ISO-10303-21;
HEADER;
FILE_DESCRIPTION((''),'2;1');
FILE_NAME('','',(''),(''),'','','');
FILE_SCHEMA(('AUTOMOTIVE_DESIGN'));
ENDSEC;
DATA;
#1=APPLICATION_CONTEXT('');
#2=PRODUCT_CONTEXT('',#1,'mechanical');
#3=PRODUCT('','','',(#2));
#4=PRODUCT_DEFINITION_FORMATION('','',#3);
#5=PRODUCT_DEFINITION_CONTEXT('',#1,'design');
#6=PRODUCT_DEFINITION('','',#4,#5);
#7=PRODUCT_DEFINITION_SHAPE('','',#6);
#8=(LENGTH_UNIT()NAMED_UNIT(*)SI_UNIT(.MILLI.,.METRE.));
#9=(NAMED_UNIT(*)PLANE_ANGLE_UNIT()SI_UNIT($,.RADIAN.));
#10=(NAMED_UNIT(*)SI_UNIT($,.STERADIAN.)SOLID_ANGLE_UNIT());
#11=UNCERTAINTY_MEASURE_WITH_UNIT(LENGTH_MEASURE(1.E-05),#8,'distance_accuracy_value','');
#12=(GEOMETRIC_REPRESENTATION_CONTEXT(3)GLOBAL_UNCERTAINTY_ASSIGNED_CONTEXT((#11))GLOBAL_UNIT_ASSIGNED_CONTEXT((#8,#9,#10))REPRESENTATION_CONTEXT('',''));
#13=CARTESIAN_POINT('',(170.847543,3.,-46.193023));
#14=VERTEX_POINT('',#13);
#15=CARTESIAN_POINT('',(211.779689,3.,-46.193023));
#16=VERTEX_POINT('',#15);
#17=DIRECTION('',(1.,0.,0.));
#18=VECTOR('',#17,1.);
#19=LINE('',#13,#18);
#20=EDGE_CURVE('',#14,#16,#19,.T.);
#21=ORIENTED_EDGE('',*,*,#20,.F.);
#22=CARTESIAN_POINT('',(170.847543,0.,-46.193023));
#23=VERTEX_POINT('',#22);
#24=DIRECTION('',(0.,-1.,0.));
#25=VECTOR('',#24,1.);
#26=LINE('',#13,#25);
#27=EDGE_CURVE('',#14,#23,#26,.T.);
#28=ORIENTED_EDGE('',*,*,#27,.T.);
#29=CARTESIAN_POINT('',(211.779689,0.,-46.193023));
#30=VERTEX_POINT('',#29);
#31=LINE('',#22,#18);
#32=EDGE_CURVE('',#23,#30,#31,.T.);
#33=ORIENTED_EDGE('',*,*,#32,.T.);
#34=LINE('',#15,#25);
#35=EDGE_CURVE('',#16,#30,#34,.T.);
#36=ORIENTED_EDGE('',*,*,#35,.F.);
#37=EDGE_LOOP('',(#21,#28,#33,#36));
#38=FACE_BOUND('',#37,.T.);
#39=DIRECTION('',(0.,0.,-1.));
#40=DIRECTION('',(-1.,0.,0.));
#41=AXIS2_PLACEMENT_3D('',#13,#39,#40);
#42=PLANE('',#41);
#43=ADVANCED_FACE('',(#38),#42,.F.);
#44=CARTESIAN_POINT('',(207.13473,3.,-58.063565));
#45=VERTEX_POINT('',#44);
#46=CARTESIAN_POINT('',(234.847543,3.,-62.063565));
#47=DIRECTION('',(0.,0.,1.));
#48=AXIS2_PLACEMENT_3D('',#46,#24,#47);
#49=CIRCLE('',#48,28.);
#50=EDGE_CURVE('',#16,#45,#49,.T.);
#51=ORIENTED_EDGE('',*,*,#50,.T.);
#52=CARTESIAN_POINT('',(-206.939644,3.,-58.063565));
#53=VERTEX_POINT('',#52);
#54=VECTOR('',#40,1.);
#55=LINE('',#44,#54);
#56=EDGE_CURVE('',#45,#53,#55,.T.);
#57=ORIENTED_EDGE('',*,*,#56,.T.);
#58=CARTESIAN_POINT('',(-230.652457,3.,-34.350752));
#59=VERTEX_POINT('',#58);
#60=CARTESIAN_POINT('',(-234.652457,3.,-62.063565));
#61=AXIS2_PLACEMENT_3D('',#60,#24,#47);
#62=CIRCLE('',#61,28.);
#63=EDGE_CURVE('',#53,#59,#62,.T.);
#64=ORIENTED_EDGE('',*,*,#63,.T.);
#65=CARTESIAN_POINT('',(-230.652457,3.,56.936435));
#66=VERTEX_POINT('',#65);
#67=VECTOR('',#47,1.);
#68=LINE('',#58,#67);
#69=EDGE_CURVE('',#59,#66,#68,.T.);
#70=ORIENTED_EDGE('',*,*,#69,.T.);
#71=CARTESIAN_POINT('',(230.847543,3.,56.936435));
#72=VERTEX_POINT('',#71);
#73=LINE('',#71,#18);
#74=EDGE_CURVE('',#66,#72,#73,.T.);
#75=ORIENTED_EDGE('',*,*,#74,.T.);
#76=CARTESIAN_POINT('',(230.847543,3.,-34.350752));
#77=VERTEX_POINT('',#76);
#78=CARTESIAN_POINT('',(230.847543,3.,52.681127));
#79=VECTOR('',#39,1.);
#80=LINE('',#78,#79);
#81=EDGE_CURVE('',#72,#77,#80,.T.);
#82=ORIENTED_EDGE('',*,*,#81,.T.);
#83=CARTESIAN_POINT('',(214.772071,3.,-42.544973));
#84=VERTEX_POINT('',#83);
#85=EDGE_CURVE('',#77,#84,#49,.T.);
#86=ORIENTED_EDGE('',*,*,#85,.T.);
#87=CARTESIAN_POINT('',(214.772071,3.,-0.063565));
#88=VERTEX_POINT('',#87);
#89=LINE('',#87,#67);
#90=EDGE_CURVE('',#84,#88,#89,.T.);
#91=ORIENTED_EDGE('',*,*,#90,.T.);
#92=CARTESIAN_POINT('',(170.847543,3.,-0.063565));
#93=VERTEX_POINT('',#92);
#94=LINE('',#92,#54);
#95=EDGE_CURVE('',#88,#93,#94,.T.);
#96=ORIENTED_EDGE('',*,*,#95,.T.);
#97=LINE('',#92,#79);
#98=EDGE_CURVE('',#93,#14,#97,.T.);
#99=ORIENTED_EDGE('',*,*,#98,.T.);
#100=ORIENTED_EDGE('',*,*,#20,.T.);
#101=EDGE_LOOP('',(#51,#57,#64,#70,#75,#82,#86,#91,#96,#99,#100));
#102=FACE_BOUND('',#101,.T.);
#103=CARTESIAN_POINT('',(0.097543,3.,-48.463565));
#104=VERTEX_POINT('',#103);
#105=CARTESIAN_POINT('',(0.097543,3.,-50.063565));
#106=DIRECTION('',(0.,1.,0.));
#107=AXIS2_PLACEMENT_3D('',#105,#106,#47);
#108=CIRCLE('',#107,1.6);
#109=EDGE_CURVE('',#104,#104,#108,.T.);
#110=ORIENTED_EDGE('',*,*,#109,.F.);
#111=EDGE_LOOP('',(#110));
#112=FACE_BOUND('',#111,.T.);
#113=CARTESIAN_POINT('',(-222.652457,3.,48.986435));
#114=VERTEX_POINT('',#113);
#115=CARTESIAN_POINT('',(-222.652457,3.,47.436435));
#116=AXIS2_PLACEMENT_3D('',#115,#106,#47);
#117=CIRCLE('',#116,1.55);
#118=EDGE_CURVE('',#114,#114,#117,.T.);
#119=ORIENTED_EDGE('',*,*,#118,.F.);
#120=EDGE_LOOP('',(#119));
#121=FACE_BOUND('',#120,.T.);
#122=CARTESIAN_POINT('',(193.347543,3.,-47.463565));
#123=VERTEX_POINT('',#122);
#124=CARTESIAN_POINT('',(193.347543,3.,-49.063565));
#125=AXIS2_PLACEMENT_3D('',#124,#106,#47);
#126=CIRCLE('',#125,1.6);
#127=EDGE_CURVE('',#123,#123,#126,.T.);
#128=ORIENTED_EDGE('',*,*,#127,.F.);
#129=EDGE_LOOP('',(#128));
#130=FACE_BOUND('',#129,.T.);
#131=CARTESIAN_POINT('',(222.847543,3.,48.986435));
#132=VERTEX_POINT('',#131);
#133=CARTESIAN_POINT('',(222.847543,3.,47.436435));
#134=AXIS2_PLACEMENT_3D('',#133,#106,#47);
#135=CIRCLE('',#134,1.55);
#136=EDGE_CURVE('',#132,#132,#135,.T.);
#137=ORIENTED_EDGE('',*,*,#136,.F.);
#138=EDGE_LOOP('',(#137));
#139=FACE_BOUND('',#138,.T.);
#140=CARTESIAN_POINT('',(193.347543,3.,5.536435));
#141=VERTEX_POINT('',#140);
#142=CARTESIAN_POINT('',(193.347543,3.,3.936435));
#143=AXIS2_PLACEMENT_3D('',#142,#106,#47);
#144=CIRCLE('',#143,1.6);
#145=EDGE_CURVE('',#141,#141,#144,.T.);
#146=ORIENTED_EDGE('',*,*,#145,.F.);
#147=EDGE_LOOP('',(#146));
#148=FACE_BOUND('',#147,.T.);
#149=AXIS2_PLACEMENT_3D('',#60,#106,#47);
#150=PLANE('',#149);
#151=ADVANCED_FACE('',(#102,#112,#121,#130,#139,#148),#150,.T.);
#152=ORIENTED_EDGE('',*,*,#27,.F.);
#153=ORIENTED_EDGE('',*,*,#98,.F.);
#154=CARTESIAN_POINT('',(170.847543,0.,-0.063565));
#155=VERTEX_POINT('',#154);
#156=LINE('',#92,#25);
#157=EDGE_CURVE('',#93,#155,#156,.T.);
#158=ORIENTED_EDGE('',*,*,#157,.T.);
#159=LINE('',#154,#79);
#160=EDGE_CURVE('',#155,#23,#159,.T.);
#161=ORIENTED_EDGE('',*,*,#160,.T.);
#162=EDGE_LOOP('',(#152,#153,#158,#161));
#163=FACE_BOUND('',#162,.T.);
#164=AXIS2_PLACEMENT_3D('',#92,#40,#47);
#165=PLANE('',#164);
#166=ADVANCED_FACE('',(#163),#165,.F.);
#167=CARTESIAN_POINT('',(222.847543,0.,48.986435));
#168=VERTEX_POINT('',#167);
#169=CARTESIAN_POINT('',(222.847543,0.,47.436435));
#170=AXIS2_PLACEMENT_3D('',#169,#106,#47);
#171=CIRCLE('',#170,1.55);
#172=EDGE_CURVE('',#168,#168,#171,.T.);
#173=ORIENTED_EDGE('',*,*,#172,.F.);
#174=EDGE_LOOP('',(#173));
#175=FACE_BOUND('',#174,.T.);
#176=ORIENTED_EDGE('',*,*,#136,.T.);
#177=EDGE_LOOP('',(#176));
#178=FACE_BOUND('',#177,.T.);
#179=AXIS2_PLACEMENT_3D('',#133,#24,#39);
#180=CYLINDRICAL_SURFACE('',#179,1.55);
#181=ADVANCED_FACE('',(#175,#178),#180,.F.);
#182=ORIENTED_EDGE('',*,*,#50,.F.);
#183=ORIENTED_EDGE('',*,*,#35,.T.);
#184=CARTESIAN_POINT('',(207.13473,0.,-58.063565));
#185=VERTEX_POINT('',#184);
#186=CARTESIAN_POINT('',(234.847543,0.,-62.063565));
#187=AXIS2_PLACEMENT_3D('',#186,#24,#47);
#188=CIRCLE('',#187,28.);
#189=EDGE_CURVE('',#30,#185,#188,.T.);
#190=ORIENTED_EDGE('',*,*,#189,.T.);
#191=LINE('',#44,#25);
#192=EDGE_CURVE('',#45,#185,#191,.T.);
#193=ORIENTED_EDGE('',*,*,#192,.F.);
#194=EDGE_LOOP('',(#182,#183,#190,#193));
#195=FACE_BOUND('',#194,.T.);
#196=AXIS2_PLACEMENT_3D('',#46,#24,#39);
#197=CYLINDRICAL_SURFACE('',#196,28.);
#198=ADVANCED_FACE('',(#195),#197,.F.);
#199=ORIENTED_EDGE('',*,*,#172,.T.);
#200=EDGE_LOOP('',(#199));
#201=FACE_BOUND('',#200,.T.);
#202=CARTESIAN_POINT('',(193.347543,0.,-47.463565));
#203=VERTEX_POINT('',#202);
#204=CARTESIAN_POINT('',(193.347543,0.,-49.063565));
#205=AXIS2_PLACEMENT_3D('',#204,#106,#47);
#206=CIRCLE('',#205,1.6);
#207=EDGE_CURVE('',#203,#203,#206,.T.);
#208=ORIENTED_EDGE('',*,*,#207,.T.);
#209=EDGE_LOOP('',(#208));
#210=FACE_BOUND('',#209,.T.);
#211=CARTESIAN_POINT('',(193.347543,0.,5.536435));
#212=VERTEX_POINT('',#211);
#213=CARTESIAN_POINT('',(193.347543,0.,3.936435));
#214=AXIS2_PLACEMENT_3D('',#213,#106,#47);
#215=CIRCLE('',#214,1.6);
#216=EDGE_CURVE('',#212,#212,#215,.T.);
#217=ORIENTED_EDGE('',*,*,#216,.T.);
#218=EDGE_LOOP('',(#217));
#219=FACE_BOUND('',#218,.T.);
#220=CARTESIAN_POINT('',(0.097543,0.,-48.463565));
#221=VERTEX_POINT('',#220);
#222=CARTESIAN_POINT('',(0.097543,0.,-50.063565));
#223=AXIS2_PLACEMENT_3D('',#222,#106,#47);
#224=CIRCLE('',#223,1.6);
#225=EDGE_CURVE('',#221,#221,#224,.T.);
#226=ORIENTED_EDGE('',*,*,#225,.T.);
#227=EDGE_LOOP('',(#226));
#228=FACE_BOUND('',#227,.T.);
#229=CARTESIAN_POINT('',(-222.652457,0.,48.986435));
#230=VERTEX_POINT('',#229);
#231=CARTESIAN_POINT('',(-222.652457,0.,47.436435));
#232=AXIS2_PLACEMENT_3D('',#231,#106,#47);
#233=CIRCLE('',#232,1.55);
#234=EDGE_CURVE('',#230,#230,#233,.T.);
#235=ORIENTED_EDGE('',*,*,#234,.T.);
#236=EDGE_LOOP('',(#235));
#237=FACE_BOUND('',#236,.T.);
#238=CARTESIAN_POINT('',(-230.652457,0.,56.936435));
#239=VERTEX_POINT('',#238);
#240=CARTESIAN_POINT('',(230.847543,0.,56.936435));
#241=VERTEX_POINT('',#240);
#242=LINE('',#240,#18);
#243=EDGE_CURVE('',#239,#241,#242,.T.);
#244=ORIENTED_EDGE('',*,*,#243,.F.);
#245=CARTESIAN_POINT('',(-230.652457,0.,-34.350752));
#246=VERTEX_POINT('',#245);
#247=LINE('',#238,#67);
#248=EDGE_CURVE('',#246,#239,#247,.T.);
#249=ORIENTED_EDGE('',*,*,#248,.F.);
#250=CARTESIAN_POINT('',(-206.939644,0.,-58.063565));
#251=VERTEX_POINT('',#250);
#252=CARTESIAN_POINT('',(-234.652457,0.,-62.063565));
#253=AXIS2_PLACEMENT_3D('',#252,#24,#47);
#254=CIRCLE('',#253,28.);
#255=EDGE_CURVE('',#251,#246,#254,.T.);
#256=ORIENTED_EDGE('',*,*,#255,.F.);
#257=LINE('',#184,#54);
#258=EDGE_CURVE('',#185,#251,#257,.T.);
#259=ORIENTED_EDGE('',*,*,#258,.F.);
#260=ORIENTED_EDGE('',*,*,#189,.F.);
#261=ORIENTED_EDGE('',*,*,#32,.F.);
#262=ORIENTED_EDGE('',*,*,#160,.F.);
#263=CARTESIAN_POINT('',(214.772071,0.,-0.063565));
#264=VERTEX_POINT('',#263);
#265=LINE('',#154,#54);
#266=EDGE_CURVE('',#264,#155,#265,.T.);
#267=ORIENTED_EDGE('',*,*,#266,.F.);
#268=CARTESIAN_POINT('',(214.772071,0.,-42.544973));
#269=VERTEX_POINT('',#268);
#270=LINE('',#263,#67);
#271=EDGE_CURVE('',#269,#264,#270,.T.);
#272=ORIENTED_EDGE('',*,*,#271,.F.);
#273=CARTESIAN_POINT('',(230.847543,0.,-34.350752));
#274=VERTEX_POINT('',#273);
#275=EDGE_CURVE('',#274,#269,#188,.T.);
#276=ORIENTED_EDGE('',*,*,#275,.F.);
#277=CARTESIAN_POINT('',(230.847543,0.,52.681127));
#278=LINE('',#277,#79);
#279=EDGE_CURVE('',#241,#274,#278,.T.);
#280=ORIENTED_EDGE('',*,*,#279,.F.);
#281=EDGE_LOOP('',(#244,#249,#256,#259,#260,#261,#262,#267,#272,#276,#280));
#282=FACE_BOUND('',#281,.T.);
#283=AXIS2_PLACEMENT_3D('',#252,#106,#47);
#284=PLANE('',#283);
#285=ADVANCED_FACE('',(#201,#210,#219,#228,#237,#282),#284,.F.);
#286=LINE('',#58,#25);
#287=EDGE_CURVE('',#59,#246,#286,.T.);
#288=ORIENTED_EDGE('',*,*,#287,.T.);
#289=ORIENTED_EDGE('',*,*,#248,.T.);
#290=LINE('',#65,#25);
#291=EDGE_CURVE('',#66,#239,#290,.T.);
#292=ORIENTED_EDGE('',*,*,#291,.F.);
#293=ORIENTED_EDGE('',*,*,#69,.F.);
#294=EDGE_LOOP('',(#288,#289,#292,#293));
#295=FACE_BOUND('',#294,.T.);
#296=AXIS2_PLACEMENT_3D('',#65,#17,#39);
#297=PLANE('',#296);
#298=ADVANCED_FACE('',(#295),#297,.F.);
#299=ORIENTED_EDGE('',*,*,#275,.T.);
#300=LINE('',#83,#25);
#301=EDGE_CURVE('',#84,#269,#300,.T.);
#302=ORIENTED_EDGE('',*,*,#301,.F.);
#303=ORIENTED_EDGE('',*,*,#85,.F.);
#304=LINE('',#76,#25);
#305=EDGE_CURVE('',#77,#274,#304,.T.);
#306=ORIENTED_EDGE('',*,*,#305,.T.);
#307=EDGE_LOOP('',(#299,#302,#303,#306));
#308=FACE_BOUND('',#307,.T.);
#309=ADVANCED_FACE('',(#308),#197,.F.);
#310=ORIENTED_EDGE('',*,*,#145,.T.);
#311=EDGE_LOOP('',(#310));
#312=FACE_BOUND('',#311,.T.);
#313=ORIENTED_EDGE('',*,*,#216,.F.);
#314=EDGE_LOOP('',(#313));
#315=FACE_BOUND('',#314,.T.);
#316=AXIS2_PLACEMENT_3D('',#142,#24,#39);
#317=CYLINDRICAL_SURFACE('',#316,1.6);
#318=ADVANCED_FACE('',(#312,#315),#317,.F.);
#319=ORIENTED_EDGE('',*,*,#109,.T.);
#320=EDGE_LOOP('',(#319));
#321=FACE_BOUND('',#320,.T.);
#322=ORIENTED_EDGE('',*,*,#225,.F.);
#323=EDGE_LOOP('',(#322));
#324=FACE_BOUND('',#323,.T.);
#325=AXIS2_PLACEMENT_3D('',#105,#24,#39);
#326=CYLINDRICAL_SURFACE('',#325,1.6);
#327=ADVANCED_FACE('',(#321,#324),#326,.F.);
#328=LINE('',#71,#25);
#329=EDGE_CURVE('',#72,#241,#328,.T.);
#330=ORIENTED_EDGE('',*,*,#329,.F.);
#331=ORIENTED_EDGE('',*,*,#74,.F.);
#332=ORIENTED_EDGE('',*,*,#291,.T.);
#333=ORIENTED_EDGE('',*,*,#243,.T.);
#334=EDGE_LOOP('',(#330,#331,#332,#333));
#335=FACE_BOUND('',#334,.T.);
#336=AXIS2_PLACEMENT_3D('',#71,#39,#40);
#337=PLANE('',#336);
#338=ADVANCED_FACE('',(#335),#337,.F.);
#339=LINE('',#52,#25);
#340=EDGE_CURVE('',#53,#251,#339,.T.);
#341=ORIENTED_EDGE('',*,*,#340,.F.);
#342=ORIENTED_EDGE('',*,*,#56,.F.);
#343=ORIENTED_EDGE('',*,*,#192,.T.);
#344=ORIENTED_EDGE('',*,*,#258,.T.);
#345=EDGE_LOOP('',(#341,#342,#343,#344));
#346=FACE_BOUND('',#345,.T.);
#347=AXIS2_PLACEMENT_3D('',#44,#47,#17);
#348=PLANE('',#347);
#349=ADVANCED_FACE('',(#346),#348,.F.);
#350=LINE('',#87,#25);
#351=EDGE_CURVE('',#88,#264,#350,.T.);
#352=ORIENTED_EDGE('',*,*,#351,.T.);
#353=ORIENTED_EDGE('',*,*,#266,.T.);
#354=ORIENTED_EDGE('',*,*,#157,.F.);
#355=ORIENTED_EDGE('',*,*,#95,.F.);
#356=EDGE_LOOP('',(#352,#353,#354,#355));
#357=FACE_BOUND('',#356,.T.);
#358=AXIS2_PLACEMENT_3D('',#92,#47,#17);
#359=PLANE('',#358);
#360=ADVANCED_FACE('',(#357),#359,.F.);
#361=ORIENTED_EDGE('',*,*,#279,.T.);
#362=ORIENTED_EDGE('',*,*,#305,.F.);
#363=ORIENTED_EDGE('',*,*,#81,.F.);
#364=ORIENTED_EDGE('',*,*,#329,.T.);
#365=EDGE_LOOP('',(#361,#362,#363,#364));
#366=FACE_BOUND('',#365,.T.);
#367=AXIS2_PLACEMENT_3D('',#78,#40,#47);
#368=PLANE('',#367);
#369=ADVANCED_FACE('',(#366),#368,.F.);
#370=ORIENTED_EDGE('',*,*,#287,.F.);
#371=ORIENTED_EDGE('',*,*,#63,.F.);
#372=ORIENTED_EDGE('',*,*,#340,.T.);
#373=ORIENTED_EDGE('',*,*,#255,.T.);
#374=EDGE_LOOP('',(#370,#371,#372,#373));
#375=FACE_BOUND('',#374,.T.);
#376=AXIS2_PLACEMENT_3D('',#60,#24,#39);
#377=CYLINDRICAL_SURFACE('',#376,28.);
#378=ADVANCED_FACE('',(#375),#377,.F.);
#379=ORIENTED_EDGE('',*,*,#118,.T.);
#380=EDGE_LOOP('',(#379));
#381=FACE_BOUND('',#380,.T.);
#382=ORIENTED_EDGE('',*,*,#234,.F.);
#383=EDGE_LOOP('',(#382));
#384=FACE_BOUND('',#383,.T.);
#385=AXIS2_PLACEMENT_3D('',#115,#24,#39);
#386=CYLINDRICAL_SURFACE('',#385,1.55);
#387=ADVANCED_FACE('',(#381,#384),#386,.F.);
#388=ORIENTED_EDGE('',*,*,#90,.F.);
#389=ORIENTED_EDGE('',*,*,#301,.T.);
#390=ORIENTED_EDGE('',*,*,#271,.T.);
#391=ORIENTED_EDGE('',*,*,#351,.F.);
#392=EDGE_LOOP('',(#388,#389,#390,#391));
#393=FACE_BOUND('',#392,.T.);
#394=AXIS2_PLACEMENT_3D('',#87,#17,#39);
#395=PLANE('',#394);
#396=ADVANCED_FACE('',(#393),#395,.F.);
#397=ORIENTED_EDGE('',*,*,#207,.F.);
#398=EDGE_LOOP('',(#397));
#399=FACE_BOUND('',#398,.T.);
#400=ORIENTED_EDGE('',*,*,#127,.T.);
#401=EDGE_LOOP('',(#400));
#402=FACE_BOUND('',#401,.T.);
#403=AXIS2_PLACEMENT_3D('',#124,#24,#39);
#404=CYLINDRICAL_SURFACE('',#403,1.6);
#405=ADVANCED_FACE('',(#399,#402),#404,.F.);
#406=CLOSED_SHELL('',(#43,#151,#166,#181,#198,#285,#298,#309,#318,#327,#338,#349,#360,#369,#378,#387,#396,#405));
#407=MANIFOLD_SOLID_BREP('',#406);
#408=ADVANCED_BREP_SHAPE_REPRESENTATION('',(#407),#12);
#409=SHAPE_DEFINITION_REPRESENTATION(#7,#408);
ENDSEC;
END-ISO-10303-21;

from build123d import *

# Parameters (mm, degrees)
CROQUIS1_R              = 1.6
CROQUIS1_R_2            = 1.55
SALIENTE_EXTRUIR1_DEPTH = 3


with BuildPart() as part:
    # Croquis1 → Saliente-Extruir1 (new body)
    with BuildSketch(Plane(origin=(0, 0, 0), x_dir=(1, 0, 0), z_dir=(0, 1, 0))):
        with BuildLine():
            Line((230.847543198, -52.68112687), (230.847543198, 34.350751843))
            ThreePointArc((230.847543198, 34.350751843), (222.131671295, 37.117490889), (214.7720715, 42.544972702))
            Line((214.7720715, 42.544972702), (214.7720715, 0.063564764))
            Line((214.7720715, 0.063564764), (170.847543198, 0.063564764))
            Line((170.847543198, 0.063564764), (170.847543198, 46.193023152))
            Line((170.847543198, 46.193023152), (211.779688747, 46.193023152))
            ThreePointArc((211.779688747, 46.193023152), (208.772718477, 51.86045172), (207.134730277, 58.063564764))
            Line((207.134730277, 58.063564764), (-206.939643881, 58.063564764))
            ThreePointArc((-206.939643881, 58.063564764), (-214.853466929, 42.264574891), (-230.652456802, 34.350751843))
            Line((-230.652456802, 34.350751843), (-230.652456802, -52.936435236))
            Line((-230.652456802, -52.936435236), (-230.652456802, -56.936435236))
            Line((-230.652456802, -56.936435236), (230.847543198, -56.936435236))
            Line((230.847543198, -56.936435236), (230.847543198, -52.68112687))
        make_face()
        with Locations(Location((193.347543198, -3.936435236, 0), (0, 0, 270))):
            Circle(CROQUIS1_R, mode=Mode.SUBTRACT)
        with Locations(Location((193.347543198, 49.063564764, 0), (0, 0, 270))):
            Circle(CROQUIS1_R, mode=Mode.SUBTRACT)
        with Locations(Location((222.847543198, -47.436435236, 0), (0, 0, 270))):
            Circle(CROQUIS1_R_2, mode=Mode.SUBTRACT)
        with Locations(Location((0.097543198, 50.063564764, 0), (0, 0, 270))):
            Circle(CROQUIS1_R, mode=Mode.SUBTRACT)
        with Locations(Location((-222.652456802, -47.436435236, 0), (0, 0, 270))):
            Circle(CROQUIS1_R_2, mode=Mode.SUBTRACT)
    extrude(amount=SALIENTE_EXTRUIR1_DEPTH)


solid = part.part
